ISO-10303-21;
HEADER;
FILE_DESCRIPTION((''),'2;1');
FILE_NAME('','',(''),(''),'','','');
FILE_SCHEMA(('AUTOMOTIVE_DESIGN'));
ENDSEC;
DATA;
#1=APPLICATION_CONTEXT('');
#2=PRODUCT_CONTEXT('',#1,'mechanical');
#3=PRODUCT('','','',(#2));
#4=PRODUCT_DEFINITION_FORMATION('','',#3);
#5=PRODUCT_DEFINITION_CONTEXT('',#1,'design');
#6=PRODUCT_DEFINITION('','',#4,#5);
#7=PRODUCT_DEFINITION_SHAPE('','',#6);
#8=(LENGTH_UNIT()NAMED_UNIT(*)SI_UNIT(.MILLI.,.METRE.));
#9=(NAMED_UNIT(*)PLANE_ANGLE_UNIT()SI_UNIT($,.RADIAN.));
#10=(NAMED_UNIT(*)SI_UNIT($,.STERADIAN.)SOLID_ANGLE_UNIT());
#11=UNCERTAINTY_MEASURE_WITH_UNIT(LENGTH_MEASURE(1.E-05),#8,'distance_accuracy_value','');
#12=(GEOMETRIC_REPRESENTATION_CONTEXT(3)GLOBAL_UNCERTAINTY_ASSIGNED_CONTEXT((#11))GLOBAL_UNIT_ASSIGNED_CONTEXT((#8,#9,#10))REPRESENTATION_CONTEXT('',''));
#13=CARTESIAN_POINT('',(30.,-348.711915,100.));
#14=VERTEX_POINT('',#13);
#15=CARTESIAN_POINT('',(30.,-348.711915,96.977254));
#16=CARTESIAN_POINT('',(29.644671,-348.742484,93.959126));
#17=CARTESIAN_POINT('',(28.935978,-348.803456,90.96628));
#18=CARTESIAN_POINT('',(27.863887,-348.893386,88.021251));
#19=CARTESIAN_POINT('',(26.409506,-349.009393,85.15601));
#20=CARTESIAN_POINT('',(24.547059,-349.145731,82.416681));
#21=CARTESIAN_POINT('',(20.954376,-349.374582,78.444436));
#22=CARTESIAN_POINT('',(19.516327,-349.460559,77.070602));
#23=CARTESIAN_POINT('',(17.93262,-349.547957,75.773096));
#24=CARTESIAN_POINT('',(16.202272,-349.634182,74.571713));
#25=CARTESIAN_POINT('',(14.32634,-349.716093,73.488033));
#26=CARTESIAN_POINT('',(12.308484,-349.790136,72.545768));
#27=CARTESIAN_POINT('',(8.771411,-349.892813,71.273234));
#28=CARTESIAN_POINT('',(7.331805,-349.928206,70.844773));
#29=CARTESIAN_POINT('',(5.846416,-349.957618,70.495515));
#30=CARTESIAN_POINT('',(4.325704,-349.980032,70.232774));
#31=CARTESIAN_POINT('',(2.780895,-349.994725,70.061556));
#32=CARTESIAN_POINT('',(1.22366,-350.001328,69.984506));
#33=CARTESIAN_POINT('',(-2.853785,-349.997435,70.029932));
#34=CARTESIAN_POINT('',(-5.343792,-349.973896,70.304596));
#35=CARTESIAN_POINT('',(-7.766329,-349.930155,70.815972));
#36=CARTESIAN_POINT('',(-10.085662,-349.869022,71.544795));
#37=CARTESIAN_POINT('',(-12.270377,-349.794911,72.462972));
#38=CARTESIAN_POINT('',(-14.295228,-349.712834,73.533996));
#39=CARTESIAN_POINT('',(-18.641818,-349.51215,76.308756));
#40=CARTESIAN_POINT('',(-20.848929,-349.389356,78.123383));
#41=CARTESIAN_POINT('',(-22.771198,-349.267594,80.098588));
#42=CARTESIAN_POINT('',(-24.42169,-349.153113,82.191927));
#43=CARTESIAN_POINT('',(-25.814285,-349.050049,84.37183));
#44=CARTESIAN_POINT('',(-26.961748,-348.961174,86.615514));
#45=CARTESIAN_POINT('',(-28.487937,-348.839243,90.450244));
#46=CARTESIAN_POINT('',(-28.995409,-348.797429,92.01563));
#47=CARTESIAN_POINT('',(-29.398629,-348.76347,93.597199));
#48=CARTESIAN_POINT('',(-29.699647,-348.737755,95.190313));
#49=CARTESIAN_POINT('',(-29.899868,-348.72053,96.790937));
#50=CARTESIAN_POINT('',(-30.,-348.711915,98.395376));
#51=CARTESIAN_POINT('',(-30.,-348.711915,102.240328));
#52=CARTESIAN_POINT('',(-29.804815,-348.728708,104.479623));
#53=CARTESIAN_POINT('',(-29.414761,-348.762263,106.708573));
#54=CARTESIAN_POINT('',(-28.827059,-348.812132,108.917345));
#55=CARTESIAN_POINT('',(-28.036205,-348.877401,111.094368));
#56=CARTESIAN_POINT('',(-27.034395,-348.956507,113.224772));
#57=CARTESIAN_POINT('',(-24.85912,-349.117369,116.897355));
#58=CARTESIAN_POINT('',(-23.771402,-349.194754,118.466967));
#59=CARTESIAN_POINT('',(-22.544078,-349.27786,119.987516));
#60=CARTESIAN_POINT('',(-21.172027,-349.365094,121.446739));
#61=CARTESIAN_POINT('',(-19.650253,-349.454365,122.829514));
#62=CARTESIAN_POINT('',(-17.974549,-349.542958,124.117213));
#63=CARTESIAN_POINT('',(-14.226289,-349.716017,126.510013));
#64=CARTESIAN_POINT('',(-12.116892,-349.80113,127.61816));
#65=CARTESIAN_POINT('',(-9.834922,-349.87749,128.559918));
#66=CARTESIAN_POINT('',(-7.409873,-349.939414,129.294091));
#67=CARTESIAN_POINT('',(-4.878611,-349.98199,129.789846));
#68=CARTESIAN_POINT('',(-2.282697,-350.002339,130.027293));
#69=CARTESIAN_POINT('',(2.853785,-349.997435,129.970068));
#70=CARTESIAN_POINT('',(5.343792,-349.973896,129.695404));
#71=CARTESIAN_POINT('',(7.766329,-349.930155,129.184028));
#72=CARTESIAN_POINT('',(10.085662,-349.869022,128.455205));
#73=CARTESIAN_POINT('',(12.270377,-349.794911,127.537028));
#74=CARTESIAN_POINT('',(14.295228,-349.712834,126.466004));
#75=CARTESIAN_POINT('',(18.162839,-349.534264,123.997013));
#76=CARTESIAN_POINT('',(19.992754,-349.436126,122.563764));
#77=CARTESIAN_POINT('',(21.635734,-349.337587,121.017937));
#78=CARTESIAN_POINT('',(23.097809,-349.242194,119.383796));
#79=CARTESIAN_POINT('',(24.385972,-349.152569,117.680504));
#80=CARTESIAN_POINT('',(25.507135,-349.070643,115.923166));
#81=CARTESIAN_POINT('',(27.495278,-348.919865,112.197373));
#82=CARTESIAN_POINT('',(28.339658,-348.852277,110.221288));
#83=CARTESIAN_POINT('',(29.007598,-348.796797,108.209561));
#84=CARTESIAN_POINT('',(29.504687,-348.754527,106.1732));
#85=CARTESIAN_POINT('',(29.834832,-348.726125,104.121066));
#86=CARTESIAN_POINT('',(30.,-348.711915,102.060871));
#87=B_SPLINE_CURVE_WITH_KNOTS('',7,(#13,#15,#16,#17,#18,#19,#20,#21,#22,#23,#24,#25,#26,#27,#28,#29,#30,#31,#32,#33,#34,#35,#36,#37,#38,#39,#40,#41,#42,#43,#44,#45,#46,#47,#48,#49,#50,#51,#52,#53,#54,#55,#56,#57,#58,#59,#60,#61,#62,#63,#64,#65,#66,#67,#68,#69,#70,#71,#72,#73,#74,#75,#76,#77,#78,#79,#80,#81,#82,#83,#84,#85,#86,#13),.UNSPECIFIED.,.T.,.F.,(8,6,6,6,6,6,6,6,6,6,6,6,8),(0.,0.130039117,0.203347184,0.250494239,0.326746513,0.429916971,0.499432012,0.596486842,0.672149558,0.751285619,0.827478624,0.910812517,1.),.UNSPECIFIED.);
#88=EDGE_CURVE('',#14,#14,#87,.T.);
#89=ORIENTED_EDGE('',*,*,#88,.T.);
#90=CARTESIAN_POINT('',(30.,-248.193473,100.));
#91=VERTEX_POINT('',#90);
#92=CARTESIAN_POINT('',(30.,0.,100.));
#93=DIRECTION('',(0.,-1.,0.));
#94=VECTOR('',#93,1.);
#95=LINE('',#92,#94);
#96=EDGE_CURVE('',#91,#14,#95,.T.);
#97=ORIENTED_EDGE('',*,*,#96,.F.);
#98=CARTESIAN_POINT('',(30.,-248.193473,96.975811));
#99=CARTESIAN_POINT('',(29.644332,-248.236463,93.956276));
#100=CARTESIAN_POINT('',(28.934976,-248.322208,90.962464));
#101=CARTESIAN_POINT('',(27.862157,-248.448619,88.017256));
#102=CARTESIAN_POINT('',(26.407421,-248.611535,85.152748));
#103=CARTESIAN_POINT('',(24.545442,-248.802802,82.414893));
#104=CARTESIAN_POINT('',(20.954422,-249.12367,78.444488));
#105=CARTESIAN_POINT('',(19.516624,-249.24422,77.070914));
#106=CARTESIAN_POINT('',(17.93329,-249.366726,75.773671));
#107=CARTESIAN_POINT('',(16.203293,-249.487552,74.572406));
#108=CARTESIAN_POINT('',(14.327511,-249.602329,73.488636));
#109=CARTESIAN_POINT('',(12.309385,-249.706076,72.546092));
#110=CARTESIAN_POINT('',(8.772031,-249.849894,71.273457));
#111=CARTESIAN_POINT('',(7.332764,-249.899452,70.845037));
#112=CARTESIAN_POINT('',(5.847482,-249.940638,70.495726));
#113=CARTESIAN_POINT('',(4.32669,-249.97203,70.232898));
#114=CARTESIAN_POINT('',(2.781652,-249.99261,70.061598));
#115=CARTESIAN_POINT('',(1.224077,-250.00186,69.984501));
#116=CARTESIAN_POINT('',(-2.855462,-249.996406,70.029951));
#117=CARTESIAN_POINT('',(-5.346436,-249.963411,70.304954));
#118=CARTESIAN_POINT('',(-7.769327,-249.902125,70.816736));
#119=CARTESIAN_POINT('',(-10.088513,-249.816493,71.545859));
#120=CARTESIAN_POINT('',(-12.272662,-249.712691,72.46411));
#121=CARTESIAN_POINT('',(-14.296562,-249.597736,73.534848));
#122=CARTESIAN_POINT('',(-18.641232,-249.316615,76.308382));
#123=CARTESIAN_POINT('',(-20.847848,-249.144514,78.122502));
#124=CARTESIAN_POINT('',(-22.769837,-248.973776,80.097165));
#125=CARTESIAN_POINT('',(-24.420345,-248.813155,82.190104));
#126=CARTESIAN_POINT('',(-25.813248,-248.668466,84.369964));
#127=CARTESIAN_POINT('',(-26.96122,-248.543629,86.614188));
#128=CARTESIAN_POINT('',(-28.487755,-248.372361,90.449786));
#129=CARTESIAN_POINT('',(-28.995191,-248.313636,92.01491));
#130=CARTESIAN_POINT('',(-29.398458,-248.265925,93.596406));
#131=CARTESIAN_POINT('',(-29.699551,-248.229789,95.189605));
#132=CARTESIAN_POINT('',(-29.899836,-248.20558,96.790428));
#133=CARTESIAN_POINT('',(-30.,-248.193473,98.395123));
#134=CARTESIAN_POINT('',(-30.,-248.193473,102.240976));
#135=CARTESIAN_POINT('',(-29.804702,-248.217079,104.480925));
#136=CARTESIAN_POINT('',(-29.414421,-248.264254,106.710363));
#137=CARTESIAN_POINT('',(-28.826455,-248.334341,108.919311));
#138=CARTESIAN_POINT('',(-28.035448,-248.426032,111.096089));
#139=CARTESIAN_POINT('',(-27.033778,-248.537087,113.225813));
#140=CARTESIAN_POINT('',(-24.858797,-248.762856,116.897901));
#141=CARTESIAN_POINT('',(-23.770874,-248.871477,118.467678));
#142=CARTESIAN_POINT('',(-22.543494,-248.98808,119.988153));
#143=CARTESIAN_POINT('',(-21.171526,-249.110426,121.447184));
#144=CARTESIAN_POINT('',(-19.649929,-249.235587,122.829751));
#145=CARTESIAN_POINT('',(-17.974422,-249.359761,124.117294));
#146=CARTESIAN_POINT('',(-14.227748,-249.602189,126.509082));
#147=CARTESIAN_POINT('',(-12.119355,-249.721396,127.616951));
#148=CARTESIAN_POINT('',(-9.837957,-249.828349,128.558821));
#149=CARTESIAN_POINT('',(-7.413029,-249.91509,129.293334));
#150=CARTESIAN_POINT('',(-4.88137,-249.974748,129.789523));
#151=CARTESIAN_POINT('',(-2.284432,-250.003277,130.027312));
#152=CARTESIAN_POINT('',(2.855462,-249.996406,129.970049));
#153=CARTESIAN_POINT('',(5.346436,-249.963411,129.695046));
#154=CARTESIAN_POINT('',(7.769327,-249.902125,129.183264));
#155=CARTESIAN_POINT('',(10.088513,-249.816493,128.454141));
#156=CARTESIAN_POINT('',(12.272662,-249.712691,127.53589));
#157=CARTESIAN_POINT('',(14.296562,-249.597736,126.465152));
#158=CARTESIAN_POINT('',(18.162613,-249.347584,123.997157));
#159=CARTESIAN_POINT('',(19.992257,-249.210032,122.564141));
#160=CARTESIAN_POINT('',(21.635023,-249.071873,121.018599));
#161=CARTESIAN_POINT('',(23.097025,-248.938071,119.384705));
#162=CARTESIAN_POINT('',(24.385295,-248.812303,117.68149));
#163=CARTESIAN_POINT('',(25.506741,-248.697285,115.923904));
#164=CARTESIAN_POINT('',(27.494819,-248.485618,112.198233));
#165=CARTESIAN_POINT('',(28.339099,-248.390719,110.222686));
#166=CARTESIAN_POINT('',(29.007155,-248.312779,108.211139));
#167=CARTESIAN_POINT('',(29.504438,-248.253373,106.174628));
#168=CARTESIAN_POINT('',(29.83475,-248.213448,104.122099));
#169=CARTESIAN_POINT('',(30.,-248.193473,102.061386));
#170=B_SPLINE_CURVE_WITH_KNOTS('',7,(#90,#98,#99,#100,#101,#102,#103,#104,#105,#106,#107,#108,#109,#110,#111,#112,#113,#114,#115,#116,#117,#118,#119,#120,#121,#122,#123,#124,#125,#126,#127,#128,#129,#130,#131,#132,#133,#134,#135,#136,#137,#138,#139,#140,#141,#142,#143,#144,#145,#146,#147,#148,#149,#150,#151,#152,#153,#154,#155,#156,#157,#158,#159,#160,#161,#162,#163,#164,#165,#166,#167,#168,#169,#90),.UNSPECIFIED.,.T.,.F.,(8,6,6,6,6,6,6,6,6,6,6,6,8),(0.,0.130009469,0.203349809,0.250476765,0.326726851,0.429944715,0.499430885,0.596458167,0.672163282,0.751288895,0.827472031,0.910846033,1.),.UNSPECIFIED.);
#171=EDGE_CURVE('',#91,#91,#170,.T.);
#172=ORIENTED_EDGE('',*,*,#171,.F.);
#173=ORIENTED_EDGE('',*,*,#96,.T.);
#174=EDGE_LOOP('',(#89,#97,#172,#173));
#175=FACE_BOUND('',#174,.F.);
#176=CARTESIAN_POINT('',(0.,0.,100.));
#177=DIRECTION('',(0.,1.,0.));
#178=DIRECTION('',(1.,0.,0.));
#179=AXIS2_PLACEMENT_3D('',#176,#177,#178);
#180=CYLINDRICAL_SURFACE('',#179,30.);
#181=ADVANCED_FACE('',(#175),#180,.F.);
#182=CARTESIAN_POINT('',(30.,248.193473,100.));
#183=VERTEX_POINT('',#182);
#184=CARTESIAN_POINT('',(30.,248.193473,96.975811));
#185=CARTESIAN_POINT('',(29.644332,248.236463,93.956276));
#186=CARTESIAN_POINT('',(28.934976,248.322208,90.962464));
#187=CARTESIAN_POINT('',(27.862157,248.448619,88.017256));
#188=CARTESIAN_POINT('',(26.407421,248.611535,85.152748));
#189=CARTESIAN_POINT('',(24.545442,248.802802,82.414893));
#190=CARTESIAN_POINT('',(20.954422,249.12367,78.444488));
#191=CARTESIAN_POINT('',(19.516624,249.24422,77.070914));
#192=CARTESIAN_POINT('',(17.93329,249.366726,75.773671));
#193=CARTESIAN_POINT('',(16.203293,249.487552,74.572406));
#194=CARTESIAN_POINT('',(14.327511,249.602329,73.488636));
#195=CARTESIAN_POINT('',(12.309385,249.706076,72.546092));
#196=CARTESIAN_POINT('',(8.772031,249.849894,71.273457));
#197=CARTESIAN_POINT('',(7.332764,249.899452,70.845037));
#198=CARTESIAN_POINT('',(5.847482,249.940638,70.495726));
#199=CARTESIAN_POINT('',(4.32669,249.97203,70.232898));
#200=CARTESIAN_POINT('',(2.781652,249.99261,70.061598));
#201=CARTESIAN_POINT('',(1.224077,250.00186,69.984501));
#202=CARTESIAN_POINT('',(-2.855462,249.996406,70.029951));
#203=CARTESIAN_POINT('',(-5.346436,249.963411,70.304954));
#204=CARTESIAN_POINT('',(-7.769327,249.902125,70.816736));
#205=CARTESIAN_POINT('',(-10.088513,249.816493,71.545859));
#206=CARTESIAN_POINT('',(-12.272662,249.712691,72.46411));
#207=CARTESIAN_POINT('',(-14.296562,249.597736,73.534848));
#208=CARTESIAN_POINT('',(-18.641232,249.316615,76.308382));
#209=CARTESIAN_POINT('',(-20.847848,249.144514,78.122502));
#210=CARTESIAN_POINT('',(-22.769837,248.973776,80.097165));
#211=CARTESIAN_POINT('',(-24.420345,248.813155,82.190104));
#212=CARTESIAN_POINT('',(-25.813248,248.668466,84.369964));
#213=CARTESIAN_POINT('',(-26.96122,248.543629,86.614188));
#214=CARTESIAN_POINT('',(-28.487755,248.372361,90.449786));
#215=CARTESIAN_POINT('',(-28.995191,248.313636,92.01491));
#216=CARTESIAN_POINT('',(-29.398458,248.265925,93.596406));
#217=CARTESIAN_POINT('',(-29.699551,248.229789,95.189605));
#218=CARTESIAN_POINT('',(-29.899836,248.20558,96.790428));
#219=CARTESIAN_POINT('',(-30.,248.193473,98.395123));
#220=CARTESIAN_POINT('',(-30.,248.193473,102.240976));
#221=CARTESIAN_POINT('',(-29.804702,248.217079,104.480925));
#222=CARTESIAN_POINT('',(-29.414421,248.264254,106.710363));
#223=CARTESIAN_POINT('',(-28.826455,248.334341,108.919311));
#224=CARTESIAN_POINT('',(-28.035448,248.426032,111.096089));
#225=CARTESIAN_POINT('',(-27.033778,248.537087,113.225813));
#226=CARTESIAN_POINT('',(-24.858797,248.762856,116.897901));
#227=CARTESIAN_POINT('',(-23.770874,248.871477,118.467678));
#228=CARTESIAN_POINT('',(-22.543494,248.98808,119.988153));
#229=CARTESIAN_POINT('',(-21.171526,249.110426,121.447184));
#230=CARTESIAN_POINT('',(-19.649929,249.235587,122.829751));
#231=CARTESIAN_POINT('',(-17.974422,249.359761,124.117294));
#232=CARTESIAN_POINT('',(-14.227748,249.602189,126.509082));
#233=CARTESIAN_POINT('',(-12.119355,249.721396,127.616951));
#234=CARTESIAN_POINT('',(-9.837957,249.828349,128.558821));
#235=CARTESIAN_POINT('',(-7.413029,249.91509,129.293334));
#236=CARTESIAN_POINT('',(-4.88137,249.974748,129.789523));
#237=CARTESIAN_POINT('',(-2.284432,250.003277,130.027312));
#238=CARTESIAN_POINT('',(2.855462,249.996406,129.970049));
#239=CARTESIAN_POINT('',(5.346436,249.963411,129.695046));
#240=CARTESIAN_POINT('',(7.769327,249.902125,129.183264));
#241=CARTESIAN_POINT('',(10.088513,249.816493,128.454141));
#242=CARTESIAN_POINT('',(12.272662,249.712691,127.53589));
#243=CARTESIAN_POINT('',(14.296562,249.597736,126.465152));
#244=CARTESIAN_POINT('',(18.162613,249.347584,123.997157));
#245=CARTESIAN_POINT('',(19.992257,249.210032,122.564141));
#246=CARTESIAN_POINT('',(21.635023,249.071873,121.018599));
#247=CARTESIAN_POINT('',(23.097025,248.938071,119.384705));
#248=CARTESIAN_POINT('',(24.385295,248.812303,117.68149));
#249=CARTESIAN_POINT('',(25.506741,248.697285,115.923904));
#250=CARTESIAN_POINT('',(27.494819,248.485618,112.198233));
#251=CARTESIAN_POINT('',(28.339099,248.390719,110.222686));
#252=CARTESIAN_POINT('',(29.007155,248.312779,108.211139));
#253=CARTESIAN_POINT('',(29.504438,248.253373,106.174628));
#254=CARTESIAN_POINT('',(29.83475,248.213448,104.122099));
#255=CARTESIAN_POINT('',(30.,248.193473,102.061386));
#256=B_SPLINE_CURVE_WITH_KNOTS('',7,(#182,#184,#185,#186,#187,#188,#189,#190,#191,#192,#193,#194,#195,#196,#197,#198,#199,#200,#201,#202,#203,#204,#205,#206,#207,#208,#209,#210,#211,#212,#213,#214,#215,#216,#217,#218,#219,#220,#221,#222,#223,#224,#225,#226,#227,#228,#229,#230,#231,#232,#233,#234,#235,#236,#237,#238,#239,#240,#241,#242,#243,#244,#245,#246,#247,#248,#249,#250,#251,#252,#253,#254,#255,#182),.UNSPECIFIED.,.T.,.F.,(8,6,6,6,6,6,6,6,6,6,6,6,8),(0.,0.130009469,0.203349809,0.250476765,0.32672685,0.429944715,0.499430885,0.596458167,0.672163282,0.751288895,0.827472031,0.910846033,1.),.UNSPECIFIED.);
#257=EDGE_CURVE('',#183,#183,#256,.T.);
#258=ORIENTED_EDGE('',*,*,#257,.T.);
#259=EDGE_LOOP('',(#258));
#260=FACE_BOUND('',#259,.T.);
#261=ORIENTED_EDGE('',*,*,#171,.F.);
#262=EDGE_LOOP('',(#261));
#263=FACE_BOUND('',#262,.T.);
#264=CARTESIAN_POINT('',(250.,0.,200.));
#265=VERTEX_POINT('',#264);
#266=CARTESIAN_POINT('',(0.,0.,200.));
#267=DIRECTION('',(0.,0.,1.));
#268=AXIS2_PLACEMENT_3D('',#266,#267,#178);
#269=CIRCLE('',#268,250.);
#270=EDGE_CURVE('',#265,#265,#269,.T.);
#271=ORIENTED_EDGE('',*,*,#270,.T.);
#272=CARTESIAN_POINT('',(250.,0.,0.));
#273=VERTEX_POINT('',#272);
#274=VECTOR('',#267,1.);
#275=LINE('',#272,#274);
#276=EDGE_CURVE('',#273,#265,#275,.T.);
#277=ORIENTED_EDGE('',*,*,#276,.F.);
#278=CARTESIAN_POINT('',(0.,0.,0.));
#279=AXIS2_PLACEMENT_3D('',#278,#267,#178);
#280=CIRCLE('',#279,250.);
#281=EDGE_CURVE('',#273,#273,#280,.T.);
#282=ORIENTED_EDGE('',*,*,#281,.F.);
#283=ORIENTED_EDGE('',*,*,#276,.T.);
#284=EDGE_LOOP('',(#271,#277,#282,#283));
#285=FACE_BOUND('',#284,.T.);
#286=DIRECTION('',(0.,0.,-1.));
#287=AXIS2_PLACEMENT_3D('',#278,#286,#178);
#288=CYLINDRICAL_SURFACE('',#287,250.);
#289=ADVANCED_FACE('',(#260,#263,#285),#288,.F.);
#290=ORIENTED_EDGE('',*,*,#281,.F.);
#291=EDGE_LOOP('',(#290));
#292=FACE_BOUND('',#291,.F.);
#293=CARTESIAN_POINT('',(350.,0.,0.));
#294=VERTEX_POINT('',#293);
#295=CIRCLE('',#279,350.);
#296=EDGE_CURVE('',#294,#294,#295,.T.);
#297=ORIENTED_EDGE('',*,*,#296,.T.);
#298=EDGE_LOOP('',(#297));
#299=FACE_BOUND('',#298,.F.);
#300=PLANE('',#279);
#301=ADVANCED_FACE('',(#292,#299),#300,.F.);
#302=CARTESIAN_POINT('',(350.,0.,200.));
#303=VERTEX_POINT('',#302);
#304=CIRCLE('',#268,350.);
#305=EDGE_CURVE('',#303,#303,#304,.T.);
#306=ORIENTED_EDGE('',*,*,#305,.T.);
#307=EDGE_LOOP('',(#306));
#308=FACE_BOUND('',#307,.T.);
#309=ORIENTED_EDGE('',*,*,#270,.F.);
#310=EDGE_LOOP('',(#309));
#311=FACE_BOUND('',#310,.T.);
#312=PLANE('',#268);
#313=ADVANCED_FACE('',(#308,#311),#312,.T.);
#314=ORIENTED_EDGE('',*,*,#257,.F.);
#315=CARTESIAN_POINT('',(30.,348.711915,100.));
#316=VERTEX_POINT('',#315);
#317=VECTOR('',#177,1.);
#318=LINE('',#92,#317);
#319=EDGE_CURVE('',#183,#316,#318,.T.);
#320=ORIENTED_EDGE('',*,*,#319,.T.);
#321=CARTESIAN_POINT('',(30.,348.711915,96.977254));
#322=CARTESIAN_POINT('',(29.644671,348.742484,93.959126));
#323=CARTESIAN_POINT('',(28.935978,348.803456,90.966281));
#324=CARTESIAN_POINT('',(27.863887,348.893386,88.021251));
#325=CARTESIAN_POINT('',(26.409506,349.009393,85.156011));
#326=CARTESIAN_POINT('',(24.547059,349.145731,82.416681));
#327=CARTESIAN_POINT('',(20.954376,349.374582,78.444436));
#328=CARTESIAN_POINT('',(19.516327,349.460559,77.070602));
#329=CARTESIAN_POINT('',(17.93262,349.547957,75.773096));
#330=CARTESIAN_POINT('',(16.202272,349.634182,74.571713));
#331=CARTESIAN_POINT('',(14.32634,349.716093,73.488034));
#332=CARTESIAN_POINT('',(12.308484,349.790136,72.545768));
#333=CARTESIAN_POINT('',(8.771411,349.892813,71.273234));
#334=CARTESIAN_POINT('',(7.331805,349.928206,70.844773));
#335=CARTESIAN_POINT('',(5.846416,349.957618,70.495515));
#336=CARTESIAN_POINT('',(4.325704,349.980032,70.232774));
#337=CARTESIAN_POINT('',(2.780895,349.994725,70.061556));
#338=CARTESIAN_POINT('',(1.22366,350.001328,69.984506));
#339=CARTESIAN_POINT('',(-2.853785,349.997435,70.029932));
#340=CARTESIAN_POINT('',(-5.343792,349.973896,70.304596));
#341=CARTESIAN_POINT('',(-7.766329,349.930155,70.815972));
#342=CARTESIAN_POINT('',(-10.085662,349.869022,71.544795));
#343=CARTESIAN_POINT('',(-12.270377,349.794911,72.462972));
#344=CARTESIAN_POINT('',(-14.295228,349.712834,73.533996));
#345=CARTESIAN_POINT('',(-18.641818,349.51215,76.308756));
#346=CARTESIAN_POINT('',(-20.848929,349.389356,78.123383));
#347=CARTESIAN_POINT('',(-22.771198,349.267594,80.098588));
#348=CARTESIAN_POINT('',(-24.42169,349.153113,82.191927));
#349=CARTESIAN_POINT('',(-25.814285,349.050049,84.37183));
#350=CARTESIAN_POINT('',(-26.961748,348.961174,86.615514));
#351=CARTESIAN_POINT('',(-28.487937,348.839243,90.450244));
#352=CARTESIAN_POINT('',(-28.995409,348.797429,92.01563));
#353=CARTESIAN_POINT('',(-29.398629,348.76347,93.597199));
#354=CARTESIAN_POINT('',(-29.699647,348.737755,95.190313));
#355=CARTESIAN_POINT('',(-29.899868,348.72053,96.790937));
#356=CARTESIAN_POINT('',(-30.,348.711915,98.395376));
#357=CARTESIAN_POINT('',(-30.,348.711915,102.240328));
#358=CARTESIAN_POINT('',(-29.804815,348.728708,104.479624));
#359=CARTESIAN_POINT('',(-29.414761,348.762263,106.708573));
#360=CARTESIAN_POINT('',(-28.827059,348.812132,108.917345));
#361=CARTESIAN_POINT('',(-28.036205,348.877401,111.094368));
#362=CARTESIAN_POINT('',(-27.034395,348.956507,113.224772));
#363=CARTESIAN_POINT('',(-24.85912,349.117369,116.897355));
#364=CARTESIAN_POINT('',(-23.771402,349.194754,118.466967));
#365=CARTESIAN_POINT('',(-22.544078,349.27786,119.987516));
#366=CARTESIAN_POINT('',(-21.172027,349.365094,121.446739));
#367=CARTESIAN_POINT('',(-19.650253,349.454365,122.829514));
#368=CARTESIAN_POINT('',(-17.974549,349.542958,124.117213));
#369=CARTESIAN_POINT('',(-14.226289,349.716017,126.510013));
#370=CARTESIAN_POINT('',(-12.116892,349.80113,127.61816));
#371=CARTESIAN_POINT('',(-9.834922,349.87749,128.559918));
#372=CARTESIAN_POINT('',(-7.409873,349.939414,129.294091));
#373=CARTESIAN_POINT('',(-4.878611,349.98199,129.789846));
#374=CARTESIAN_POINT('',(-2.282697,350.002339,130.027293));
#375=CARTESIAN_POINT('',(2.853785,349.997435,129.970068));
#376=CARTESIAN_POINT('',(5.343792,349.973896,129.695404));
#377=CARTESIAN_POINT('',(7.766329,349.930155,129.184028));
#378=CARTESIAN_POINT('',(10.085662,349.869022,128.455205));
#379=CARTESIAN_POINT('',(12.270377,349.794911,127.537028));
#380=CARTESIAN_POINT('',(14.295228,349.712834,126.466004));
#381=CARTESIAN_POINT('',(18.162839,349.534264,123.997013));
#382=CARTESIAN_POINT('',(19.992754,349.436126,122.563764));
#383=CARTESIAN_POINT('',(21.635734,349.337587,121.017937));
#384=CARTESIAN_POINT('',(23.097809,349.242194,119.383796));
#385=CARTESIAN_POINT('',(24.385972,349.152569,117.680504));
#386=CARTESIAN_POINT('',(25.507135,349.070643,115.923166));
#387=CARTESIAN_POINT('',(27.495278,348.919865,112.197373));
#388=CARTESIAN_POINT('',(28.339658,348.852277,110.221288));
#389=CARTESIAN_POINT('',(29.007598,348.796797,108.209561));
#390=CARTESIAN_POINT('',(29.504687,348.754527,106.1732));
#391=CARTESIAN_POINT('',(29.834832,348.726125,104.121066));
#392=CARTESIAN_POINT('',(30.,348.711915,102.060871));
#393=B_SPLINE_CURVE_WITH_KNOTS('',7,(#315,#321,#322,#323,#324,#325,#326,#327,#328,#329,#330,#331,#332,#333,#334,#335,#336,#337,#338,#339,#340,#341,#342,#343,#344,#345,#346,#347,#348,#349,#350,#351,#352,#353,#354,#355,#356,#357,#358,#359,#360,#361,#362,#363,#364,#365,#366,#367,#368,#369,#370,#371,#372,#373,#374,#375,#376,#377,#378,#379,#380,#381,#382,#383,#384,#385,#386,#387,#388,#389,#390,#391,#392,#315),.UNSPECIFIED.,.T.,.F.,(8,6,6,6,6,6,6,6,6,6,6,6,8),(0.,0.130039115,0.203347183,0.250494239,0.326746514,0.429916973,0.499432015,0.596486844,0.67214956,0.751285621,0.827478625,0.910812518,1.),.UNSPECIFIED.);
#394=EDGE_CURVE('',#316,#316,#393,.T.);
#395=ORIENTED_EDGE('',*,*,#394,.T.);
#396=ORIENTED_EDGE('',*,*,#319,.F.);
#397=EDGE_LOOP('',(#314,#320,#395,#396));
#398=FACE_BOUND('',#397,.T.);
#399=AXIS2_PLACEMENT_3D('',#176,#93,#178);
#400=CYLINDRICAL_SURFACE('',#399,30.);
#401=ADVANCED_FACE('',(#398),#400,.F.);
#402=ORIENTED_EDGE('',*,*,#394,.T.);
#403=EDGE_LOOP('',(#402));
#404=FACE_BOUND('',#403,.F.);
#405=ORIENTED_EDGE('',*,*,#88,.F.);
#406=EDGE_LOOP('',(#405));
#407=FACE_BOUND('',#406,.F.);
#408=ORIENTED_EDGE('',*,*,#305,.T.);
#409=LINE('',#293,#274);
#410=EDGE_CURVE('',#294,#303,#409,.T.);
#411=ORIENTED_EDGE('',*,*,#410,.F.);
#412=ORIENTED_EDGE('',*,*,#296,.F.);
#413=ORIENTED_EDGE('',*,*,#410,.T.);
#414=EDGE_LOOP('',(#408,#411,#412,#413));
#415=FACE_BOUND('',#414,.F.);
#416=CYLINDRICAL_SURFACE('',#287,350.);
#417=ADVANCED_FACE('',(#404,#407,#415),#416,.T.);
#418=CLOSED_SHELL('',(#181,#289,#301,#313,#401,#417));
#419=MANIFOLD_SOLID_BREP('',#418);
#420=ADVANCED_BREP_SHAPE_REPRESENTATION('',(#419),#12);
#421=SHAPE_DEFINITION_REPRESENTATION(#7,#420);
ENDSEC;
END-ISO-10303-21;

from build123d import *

# Parameters (mm, degrees)
SKETCH2_R               = 350
SKETCH2_R_2             = 250
BOSS_EXTRUDE1_DEPTH     = 200
SKETCH3_R               = 30
CUT_EXTRUDE1_DEPTH      = 351
CUT_EXTRUDE1_DEPTH_BACK = 351


with BuildPart() as part:
    # Sketch2 → Boss-Extrude1 (new body)
    with BuildSketch(Plane.XY):
        Circle(SKETCH2_R)
        Circle(SKETCH2_R_2, mode=Mode.SUBTRACT)
    extrude(amount=BOSS_EXTRUDE1_DEPTH)

    # Sketch3 → Cut-Extrude1 (cut, two sides)
    with BuildSketch(Plane(origin=(0, 0, 0), x_dir=(1, 0, 0), z_dir=(0, 1, 0))) as cut_extrude1_sk:
        with Locations((0, -100)):
            Circle(SKETCH3_R)
    extrude(amount=CUT_EXTRUDE1_DEPTH, mode=Mode.SUBTRACT)
    extrude(cut_extrude1_sk.sketch, amount=-CUT_EXTRUDE1_DEPTH_BACK, mode=Mode.SUBTRACT)


solid = part.part
